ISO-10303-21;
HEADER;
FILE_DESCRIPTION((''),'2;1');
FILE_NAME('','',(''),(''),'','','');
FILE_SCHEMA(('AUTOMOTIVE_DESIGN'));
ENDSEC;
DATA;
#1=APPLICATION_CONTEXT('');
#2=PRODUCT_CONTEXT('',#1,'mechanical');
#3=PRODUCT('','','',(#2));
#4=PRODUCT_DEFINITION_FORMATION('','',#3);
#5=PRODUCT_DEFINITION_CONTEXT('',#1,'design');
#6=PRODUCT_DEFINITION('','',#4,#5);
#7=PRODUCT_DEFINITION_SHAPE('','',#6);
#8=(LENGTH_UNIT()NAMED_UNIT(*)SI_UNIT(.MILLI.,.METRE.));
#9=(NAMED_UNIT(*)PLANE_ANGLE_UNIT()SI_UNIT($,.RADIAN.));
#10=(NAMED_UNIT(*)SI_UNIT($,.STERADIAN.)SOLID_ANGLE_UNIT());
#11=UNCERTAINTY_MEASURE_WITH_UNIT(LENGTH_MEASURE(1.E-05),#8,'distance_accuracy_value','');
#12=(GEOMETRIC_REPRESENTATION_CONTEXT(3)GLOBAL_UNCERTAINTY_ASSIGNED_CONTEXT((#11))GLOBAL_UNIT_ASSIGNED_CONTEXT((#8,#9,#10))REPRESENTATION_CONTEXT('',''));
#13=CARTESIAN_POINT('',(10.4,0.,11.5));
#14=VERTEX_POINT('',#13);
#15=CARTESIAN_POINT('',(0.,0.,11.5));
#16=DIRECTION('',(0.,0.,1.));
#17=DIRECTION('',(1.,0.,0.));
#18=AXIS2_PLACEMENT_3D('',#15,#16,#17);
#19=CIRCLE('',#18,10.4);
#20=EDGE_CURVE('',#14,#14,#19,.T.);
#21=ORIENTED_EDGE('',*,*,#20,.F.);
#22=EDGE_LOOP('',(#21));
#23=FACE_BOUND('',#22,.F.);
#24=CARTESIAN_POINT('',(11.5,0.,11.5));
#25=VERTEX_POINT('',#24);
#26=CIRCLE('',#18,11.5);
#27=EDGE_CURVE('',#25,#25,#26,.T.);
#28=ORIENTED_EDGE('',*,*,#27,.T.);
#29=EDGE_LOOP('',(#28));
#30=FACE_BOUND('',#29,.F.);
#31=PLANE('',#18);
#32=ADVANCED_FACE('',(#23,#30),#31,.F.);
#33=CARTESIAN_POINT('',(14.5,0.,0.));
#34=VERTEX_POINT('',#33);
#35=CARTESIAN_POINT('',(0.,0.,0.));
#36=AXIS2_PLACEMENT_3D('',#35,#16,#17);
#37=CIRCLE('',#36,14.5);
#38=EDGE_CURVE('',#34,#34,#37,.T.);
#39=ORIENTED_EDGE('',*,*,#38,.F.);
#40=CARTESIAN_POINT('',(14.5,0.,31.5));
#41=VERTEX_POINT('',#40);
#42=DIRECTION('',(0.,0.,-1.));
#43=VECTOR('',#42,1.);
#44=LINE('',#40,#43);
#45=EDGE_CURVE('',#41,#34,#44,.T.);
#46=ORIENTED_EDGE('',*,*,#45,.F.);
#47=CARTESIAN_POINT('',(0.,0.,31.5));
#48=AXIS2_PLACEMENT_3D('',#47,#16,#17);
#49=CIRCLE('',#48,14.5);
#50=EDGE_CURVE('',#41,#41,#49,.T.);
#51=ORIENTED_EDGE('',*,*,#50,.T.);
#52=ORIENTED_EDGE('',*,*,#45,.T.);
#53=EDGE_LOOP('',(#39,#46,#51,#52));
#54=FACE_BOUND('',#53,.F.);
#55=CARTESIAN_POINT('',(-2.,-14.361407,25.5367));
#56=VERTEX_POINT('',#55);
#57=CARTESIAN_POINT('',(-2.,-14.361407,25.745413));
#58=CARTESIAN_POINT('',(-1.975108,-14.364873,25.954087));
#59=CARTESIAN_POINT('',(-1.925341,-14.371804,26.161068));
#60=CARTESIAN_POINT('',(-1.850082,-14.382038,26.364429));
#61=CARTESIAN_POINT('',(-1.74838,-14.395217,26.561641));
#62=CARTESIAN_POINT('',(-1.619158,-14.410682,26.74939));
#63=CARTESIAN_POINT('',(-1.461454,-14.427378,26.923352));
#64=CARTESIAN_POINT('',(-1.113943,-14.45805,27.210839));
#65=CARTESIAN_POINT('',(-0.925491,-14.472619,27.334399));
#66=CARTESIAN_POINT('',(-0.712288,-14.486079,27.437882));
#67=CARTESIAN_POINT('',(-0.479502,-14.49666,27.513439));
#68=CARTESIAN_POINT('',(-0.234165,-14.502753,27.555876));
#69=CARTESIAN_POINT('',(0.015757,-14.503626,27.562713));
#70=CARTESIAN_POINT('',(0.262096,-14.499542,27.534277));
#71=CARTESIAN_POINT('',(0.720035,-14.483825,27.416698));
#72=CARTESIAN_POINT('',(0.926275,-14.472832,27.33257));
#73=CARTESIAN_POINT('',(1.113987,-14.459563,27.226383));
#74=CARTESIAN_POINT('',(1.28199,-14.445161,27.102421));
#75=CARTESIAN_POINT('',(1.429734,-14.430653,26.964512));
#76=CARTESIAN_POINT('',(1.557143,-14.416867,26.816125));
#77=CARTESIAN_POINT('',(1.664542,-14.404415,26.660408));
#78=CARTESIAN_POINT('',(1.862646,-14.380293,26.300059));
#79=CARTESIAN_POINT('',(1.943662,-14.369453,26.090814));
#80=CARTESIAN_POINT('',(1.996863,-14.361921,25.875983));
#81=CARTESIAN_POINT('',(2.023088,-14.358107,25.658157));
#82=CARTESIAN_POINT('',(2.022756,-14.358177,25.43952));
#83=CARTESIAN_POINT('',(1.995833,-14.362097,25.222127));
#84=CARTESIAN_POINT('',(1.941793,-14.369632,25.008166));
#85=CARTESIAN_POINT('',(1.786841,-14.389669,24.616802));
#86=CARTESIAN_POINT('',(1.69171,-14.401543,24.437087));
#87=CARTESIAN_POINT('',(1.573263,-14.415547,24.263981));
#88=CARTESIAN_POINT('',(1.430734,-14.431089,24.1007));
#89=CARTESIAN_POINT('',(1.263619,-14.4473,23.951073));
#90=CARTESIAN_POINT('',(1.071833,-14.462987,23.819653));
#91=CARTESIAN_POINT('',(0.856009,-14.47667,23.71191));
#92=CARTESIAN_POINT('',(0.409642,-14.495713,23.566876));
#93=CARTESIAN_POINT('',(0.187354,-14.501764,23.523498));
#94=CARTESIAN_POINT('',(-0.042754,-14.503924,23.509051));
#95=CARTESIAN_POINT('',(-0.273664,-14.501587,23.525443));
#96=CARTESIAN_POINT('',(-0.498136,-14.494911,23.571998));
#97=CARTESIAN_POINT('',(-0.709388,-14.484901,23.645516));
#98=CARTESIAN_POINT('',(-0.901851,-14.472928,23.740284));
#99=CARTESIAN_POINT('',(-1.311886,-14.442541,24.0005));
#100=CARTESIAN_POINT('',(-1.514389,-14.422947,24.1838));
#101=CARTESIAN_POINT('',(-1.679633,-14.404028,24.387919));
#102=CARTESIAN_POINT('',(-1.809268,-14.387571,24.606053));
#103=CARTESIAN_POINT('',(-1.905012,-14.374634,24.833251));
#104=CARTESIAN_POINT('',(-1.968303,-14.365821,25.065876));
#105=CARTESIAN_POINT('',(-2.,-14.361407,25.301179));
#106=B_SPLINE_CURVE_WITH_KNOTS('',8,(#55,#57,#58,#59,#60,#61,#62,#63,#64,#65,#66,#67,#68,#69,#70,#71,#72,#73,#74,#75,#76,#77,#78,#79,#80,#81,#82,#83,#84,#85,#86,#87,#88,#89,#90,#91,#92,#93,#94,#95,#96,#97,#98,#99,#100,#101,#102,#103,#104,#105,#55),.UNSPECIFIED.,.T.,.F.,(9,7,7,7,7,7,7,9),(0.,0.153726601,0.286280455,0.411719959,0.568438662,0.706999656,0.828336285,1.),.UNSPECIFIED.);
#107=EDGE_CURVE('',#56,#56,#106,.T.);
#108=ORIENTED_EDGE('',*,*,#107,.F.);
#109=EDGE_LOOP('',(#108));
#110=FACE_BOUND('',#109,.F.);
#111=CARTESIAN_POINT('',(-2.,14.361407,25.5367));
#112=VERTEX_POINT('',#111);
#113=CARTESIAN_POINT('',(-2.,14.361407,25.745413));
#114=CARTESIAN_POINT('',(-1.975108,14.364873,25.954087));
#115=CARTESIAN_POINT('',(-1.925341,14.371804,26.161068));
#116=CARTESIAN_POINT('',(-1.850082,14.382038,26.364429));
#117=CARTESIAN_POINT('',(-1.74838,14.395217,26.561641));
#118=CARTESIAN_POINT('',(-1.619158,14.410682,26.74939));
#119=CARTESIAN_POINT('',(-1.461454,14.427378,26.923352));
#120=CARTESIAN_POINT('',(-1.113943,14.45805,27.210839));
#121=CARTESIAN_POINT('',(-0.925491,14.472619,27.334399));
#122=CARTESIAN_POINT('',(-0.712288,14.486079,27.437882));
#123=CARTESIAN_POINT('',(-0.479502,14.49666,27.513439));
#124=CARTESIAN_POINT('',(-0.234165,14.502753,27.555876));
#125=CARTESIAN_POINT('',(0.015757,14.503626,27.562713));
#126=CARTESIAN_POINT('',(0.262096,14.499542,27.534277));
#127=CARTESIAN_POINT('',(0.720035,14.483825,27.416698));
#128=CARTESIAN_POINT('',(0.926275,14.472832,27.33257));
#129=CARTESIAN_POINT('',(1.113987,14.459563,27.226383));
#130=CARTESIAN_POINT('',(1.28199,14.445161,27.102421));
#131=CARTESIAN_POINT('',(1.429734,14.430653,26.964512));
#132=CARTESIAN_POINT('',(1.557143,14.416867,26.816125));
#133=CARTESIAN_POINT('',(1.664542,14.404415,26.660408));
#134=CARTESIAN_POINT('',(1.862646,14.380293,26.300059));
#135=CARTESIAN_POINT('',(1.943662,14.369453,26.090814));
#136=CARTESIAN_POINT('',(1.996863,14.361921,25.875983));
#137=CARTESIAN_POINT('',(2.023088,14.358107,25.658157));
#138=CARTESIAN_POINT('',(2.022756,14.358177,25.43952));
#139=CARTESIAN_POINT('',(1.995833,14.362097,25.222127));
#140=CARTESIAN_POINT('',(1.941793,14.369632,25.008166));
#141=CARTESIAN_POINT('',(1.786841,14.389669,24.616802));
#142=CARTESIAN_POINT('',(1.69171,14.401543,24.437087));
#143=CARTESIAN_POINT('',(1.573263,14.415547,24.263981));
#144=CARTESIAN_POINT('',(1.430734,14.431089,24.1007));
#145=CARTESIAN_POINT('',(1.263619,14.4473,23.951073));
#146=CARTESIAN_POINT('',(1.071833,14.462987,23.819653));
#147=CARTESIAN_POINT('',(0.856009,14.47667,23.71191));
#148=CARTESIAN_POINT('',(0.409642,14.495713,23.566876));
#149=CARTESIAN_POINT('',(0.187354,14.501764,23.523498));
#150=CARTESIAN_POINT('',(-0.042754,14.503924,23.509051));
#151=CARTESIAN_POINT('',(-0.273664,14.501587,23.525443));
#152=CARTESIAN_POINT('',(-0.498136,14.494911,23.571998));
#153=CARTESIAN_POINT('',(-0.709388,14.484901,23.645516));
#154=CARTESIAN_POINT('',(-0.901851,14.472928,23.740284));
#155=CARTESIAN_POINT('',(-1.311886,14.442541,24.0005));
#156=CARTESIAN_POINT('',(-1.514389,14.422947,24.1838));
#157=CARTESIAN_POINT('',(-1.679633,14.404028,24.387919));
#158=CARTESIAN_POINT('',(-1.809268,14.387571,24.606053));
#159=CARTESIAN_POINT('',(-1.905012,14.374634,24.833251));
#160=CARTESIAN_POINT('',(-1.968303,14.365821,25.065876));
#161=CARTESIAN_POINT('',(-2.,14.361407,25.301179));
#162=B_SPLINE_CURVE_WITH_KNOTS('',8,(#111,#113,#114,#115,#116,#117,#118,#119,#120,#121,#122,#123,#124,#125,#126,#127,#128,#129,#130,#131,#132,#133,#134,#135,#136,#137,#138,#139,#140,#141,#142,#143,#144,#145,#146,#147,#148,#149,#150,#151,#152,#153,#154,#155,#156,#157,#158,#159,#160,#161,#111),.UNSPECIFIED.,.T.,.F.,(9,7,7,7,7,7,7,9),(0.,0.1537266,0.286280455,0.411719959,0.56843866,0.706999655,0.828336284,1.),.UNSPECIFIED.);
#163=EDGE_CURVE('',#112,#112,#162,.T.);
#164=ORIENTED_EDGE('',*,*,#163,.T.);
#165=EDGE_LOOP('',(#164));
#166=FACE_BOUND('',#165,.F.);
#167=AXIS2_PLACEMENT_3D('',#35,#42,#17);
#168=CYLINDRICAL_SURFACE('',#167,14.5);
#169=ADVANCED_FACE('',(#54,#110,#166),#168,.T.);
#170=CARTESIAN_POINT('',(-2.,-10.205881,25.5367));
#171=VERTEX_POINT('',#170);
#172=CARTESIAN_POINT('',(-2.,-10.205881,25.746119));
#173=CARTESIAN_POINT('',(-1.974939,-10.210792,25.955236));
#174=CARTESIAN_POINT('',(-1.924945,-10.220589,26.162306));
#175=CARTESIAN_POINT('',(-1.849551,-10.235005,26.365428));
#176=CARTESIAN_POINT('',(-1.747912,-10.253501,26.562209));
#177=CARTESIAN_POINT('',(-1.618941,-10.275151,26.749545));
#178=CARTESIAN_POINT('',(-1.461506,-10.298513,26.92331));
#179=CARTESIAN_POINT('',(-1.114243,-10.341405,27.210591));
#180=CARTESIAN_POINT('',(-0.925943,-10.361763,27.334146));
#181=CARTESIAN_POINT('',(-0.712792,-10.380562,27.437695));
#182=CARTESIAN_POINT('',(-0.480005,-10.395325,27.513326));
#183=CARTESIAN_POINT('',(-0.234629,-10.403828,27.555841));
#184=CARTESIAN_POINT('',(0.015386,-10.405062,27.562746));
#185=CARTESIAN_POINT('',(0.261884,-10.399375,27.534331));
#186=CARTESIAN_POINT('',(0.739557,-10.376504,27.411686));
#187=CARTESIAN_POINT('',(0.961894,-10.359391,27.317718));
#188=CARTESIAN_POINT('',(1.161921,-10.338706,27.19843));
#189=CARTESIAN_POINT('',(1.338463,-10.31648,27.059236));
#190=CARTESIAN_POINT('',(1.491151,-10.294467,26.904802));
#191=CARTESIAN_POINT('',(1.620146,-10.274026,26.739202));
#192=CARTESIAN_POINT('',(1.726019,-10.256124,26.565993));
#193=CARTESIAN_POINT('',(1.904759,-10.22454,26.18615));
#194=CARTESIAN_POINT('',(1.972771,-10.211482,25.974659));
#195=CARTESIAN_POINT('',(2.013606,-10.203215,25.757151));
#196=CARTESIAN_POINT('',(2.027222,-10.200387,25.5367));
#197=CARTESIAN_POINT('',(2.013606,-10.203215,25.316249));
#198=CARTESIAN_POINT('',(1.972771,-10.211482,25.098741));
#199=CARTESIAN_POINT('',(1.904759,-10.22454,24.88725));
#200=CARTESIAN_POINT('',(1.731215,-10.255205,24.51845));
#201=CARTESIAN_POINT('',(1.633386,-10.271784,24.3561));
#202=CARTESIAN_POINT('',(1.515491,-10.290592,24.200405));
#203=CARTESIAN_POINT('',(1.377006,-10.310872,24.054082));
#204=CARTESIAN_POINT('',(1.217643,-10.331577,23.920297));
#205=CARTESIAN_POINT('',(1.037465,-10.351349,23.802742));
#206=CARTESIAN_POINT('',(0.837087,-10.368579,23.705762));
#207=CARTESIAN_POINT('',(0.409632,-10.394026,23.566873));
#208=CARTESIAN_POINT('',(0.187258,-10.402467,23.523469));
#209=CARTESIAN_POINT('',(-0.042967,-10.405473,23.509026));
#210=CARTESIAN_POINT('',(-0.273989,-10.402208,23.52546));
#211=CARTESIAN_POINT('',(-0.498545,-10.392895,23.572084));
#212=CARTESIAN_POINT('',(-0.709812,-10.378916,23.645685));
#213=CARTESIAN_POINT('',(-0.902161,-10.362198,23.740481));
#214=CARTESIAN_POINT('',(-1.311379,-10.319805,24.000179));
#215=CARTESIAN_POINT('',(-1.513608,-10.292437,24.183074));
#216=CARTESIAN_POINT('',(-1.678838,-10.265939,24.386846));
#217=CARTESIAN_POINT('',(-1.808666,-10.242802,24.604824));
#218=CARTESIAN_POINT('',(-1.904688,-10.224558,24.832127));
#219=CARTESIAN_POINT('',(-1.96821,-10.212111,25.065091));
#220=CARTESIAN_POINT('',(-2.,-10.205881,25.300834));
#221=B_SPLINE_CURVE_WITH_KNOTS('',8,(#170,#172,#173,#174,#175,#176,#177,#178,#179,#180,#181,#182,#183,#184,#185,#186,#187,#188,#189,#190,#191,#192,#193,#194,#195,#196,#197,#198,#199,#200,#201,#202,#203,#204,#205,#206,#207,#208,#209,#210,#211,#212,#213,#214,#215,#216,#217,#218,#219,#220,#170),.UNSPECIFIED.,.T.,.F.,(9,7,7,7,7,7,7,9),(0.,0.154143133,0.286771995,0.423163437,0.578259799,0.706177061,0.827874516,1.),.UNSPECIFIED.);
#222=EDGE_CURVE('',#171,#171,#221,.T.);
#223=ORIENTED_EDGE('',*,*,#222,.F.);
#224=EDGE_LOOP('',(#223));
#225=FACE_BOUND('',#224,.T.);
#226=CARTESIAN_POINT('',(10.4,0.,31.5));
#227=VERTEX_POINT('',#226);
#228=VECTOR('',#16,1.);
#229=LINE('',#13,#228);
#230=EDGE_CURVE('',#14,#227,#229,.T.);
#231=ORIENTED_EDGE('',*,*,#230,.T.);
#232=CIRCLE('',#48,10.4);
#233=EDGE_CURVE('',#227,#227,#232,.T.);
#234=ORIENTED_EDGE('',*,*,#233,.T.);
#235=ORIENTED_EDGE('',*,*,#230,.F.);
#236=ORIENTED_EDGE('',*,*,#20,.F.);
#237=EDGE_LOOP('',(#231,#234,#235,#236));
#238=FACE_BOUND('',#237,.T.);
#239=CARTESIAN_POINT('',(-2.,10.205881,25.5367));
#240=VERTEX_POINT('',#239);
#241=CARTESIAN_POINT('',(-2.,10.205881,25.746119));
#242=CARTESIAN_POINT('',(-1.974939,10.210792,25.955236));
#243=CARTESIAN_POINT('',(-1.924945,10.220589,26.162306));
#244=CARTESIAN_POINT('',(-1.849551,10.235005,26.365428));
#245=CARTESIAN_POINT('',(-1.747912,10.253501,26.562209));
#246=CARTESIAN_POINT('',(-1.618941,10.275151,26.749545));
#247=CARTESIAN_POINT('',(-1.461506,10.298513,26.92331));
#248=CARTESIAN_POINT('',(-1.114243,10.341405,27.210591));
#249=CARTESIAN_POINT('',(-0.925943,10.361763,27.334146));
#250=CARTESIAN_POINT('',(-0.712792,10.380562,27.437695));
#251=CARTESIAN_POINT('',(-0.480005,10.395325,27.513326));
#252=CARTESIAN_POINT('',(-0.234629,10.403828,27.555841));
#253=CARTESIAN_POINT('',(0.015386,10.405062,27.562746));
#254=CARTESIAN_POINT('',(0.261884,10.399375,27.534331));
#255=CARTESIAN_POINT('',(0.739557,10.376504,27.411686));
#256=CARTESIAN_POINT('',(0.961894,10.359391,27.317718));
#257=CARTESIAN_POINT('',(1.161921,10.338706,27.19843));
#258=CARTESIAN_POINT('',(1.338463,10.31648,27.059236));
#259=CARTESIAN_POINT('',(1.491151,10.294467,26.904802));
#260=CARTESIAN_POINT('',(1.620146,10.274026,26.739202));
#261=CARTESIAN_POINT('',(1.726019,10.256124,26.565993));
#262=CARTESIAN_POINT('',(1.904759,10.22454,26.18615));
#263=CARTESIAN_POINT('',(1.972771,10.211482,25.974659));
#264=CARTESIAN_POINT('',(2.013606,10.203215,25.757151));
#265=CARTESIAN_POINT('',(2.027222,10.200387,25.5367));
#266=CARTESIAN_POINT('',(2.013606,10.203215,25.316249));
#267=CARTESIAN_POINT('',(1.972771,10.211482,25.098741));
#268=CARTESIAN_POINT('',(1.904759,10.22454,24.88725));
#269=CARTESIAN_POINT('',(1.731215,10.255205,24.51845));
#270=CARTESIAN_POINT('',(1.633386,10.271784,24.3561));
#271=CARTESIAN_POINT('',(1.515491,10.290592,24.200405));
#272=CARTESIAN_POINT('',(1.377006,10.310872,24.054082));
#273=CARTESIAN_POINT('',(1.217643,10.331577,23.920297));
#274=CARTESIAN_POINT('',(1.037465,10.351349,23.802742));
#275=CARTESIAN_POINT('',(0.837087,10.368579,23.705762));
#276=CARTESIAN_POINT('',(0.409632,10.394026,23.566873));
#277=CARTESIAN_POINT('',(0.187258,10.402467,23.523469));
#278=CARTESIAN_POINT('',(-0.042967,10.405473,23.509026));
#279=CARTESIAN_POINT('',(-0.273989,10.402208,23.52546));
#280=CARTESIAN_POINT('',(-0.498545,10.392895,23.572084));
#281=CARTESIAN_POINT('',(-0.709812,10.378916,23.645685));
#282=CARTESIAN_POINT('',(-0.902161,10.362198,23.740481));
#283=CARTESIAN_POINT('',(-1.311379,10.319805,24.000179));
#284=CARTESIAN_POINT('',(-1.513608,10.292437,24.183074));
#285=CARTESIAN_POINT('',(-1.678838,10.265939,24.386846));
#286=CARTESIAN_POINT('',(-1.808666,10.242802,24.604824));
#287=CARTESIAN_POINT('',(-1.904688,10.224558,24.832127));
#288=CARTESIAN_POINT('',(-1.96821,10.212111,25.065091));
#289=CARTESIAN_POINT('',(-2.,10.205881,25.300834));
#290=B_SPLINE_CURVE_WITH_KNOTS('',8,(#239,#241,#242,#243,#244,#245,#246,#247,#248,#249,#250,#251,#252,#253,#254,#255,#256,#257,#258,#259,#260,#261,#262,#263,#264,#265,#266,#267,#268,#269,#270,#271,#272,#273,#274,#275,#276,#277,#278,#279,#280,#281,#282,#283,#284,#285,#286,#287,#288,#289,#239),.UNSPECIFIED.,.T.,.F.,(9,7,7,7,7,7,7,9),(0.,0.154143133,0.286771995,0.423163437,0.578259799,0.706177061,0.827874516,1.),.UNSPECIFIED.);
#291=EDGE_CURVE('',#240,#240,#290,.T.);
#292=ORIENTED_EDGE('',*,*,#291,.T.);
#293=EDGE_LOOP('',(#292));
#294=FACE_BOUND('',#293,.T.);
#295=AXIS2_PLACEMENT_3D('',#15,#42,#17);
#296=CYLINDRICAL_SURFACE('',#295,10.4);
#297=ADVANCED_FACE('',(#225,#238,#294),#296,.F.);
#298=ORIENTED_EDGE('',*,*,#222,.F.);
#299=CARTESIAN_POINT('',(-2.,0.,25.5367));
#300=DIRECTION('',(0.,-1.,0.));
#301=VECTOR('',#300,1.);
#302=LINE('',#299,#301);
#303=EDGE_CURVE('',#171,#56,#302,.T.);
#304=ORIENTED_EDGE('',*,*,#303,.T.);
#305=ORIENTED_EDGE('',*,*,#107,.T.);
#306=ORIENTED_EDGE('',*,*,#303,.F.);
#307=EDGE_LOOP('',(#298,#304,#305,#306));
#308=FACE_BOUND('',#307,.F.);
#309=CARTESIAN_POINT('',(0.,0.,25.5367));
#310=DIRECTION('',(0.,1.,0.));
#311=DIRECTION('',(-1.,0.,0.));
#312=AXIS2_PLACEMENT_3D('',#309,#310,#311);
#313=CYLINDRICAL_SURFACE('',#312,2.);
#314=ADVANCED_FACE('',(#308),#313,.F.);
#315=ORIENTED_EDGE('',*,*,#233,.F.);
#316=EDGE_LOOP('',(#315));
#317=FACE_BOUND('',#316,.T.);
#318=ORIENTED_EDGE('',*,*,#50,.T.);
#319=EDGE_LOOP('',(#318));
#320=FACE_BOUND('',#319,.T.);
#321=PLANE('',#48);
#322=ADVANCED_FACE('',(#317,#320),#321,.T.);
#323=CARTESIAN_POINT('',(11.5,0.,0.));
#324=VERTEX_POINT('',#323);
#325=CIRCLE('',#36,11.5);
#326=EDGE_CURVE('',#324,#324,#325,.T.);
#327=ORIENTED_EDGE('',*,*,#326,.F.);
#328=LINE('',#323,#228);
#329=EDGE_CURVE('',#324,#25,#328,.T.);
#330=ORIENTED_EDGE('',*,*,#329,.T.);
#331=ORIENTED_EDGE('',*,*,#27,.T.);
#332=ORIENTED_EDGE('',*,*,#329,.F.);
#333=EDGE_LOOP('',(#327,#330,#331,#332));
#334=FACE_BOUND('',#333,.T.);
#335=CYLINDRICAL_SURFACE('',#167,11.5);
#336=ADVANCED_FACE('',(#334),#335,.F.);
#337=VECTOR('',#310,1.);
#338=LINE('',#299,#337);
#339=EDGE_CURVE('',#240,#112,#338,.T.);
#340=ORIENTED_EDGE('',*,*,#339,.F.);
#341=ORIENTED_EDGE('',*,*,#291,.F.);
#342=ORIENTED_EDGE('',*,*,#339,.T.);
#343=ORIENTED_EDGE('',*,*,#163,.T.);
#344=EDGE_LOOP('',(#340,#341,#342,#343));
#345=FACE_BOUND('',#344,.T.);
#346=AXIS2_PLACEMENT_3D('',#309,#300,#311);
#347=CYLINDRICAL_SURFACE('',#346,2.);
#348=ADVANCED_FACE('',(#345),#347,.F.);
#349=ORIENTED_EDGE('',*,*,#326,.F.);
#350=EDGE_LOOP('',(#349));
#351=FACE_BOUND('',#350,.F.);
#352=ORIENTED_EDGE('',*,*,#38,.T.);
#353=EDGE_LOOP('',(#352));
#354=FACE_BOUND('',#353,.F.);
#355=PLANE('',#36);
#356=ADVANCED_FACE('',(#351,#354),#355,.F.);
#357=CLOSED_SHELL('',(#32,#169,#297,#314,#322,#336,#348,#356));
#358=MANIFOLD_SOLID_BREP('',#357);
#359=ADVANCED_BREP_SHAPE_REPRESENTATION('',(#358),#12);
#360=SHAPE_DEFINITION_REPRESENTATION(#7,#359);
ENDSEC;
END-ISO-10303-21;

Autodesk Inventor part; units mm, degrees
ref_plane "YZ Plane" through (0, 0, 0) normal (1, 0, 0) x (0, 1, 0)
ref_plane "XZ Plane" through (0, 0, 0) normal (0, 1, 0) x (-1, 0, 0)
ref_plane "XY Plane" through (0, 0, 0) normal (0, 0, 1) x (1, 0, 0)
sketch "草图1" plane through (0, 0, 0) normal (0, 0, 1) x (1, 0, 0)
  circle A0 centre (0, 0) radius 11.5
  circle A1 centre (0, 0) radius 14.5
  dimension "d0" = 23
  dimension "d1" = 3
extrude "拉伸1" add sketch "草图1" along normal blind 11.5
sketch "草图2" plane through (0, 0, 11.5) normal (0, 0, 1) x (1, 0, 0)
  circle A0 centre (0, 0) radius 10.4
  circle A1 centre (0, 0) radius 14.5 projected
  dimension "d4" = 20.8
extrude "拉伸2" add sketch "草图2" along normal blind 20
sketch "草图3" plane through (0, 0, 0) normal (0, 1, 0) x (-1, 0, 0)
  circle A0 centre (0, 25.5367) radius 2
  point P0 (0, 0)
  dimension "d10" = 4
extrude "拉伸3" cut sketch "草图3" along normal mid plane 37.75
properties part number "卡管1_3D 打印"
